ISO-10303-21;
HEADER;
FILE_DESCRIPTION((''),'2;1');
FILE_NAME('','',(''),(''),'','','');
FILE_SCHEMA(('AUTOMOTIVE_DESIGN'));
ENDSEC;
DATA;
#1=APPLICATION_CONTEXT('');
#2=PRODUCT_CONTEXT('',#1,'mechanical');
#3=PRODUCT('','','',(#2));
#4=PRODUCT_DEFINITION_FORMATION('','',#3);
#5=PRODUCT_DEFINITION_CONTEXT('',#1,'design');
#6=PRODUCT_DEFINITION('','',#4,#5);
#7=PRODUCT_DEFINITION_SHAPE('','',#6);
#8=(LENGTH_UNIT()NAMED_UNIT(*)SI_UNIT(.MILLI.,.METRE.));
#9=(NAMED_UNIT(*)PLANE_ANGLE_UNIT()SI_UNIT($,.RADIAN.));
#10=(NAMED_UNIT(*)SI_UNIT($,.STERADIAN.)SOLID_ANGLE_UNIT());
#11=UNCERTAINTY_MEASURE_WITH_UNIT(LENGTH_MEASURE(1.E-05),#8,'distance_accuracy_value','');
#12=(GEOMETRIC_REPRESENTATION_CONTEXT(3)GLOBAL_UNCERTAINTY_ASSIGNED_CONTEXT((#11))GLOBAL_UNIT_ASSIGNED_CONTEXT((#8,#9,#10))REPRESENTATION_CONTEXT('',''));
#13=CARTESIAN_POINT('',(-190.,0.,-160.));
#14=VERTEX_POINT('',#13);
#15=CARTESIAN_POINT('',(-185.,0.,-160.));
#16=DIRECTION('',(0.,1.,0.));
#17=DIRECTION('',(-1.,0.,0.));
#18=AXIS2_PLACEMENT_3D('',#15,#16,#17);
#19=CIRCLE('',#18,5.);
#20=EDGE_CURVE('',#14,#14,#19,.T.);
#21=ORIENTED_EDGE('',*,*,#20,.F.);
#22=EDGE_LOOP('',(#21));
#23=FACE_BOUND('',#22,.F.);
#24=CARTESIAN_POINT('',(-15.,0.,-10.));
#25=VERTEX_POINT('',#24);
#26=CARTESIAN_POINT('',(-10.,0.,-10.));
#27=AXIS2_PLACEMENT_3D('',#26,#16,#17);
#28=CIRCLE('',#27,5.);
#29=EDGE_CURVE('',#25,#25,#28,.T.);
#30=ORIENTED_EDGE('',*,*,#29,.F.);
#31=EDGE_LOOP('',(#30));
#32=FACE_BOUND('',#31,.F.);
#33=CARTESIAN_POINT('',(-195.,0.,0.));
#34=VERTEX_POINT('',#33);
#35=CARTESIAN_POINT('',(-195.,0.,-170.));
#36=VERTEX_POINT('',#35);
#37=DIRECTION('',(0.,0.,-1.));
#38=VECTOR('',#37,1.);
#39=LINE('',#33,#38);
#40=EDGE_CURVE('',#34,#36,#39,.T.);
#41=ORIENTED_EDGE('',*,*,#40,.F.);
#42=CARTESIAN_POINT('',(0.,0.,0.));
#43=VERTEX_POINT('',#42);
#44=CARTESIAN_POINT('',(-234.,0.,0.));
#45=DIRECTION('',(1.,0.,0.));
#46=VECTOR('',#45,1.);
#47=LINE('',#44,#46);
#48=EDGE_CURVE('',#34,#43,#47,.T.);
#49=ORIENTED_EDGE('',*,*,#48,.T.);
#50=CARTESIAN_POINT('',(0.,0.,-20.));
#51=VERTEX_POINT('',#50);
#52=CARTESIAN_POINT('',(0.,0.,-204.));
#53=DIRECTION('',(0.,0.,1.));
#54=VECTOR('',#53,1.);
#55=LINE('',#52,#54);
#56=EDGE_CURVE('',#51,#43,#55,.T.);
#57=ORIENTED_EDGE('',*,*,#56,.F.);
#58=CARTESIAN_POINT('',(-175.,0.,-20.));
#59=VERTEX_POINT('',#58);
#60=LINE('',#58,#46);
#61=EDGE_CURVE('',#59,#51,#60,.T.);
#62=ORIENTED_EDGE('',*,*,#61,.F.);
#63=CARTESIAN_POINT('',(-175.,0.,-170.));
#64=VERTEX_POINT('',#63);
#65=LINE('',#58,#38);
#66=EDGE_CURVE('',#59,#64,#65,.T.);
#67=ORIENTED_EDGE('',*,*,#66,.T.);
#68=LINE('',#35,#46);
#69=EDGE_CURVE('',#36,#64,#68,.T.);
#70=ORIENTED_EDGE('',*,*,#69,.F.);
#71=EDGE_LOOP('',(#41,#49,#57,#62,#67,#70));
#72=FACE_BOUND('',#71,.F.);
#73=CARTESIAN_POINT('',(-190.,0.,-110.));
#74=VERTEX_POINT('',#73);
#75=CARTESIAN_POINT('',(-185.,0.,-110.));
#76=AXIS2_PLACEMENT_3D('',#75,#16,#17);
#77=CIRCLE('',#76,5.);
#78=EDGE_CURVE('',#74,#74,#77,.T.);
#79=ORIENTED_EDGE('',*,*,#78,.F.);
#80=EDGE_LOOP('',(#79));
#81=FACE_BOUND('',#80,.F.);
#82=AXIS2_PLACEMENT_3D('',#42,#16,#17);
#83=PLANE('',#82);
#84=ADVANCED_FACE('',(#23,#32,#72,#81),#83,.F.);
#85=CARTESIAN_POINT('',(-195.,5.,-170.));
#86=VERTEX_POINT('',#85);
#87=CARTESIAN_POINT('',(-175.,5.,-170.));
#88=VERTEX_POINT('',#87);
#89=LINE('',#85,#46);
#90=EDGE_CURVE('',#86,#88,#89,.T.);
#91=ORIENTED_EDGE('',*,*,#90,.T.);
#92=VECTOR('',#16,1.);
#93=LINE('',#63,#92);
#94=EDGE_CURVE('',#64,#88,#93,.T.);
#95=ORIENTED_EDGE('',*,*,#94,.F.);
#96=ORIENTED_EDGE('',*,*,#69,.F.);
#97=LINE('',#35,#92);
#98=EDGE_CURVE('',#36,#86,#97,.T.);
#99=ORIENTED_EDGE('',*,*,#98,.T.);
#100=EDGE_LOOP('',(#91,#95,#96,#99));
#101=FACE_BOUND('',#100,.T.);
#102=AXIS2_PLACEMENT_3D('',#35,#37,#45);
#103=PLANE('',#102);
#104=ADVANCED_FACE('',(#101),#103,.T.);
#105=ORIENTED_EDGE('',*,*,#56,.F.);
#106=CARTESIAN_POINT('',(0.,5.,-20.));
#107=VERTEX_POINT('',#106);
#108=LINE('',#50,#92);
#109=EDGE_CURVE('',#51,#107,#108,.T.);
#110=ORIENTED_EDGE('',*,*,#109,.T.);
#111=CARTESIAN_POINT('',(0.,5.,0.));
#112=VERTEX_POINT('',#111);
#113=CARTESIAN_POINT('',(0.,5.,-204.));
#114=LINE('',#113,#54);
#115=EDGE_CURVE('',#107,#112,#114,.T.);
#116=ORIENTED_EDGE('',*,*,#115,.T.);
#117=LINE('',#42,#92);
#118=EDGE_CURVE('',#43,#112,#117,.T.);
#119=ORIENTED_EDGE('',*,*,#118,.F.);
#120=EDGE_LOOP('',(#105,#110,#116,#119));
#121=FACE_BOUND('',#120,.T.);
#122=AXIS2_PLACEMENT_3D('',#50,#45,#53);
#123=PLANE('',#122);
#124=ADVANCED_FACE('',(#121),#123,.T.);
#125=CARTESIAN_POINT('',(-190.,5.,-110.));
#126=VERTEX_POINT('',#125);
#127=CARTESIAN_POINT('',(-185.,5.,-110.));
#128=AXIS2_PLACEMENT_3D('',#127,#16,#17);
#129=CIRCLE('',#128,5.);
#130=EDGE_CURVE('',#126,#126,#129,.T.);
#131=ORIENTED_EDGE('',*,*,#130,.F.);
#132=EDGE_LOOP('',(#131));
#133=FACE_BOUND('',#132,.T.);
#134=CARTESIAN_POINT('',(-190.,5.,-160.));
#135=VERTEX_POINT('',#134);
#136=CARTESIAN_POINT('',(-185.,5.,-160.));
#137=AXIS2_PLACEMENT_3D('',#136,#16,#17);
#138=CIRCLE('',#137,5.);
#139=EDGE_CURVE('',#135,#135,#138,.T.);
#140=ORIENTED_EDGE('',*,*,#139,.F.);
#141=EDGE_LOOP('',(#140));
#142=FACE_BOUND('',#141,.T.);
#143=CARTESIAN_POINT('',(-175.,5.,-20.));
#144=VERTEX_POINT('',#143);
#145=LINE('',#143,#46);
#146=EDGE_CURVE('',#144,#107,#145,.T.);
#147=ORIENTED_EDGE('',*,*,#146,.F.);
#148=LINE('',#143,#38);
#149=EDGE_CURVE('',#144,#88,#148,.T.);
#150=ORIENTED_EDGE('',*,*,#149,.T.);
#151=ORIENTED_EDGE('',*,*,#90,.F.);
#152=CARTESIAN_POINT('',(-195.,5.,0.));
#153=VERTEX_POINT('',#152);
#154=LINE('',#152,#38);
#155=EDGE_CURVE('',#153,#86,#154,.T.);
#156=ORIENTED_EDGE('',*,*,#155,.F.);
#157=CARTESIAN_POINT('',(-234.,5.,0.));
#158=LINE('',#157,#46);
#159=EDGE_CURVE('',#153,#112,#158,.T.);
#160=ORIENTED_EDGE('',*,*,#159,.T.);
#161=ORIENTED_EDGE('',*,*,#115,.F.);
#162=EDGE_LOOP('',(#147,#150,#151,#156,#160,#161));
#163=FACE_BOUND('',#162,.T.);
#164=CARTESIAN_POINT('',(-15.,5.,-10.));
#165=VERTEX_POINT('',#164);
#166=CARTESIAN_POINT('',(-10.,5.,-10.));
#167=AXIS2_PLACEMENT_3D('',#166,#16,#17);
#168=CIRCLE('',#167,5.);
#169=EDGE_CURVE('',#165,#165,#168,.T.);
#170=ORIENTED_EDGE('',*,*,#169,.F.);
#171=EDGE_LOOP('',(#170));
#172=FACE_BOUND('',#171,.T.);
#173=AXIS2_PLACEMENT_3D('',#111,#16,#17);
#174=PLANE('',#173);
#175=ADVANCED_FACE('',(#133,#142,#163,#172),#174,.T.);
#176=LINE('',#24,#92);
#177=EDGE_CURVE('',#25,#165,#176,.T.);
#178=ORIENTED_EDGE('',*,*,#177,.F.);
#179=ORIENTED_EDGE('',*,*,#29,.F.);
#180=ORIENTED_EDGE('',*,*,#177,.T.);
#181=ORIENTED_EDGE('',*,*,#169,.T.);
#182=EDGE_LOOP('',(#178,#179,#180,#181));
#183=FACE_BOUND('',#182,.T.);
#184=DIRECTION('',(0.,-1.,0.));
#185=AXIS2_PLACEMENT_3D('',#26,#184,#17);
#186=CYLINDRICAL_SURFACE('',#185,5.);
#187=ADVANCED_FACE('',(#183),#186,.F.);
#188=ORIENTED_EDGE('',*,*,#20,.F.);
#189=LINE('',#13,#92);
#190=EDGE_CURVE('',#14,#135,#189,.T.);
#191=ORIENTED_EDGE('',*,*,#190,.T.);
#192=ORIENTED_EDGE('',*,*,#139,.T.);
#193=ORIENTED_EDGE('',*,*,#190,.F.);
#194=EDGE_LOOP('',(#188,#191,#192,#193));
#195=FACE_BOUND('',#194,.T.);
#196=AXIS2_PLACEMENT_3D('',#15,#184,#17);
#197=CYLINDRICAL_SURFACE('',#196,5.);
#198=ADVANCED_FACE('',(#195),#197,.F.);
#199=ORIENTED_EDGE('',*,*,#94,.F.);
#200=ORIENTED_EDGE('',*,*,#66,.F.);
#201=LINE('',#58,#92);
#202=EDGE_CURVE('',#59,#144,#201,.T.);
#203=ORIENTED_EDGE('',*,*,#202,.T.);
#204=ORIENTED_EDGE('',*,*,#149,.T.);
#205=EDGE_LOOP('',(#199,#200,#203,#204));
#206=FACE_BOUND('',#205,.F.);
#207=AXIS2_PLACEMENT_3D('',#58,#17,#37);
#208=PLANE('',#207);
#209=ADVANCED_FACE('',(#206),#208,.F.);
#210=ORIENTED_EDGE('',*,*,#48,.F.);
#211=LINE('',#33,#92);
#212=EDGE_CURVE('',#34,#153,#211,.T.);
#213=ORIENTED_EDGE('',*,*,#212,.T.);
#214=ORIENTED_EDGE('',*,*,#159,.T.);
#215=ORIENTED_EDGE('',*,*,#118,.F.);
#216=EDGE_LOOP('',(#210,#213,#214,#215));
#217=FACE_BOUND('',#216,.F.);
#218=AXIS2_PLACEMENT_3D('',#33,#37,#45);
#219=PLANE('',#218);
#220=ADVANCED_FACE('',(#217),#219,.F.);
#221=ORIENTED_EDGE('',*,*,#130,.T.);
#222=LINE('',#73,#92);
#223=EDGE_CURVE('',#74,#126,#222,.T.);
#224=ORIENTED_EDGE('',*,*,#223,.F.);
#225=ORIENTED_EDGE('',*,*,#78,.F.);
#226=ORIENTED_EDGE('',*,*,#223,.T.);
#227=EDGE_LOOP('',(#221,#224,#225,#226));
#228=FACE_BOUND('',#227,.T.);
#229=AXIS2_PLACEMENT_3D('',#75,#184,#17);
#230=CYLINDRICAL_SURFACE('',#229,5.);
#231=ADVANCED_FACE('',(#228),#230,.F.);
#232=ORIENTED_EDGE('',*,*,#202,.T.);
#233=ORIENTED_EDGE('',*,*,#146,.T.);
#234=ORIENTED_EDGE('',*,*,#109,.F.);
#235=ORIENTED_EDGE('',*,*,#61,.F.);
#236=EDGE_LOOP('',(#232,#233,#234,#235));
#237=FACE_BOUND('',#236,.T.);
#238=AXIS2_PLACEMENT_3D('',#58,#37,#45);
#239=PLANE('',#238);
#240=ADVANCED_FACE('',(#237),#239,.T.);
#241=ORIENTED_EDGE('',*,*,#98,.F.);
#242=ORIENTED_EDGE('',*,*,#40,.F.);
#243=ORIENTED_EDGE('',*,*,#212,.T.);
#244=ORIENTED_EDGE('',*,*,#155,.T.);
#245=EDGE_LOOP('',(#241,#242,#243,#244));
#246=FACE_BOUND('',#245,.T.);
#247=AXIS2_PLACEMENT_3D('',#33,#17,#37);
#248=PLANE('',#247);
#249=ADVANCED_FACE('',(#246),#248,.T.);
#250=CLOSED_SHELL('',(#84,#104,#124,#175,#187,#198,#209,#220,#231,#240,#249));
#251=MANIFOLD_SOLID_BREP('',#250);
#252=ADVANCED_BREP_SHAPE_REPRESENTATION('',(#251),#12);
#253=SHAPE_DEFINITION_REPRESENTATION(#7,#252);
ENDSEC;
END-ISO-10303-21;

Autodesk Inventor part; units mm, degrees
ref_plane "YZ Plane" through (0, 0, 0) normal (1, 0, 0) x (0, 1, 0)
ref_plane "XZ Plane" through (0, 0, 0) normal (0, 1, 0) x (-1, 0, 0)
ref_plane "XY Plane" through (0, 0, 0) normal (0, 0, 1) x (1, 0, 0)
sketch "スケッチ1" plane through (0, 0, 0) normal (0, 1, 0) x (-1, 0, 0)
  line L0 (234, 0) -> (-39, 0) projected
  line L1 (0, -204) -> (0, 34) projected
  line L2 (0, 0) -> (195, 0)
  line L3 (195, 0) -> (195, -170)
  line L4 (175, -20) -> (0, -20)
  circle A0 centre (10, -10) radius 5
  circle A1 centre (185, -110) radius 5
  line L5 (195, -170) -> (175, -170)
  circle A2 centre (185, -160) radius 5
  line L6 (175, -20) -> (175, -170)
  dimension "d0" = 195
  dimension "d2" = 20
  dimension "d3" = 170
  dimension "d5" = 10
  dimension "d6" = 10
  dimension "d7" = 10
  dimension "d8" = 10
  dimension "d9" = 10
  dimension "d23" = 60
  dimension "d24" = 10
  dimension "d30" = 10
  dimension "d31" = 10
  dimension "d34" = 20
extrude "押し出し4" add sketch "スケッチ1" along normal blind 5
properties part number "rocker" material "アルミニウム 6061"
